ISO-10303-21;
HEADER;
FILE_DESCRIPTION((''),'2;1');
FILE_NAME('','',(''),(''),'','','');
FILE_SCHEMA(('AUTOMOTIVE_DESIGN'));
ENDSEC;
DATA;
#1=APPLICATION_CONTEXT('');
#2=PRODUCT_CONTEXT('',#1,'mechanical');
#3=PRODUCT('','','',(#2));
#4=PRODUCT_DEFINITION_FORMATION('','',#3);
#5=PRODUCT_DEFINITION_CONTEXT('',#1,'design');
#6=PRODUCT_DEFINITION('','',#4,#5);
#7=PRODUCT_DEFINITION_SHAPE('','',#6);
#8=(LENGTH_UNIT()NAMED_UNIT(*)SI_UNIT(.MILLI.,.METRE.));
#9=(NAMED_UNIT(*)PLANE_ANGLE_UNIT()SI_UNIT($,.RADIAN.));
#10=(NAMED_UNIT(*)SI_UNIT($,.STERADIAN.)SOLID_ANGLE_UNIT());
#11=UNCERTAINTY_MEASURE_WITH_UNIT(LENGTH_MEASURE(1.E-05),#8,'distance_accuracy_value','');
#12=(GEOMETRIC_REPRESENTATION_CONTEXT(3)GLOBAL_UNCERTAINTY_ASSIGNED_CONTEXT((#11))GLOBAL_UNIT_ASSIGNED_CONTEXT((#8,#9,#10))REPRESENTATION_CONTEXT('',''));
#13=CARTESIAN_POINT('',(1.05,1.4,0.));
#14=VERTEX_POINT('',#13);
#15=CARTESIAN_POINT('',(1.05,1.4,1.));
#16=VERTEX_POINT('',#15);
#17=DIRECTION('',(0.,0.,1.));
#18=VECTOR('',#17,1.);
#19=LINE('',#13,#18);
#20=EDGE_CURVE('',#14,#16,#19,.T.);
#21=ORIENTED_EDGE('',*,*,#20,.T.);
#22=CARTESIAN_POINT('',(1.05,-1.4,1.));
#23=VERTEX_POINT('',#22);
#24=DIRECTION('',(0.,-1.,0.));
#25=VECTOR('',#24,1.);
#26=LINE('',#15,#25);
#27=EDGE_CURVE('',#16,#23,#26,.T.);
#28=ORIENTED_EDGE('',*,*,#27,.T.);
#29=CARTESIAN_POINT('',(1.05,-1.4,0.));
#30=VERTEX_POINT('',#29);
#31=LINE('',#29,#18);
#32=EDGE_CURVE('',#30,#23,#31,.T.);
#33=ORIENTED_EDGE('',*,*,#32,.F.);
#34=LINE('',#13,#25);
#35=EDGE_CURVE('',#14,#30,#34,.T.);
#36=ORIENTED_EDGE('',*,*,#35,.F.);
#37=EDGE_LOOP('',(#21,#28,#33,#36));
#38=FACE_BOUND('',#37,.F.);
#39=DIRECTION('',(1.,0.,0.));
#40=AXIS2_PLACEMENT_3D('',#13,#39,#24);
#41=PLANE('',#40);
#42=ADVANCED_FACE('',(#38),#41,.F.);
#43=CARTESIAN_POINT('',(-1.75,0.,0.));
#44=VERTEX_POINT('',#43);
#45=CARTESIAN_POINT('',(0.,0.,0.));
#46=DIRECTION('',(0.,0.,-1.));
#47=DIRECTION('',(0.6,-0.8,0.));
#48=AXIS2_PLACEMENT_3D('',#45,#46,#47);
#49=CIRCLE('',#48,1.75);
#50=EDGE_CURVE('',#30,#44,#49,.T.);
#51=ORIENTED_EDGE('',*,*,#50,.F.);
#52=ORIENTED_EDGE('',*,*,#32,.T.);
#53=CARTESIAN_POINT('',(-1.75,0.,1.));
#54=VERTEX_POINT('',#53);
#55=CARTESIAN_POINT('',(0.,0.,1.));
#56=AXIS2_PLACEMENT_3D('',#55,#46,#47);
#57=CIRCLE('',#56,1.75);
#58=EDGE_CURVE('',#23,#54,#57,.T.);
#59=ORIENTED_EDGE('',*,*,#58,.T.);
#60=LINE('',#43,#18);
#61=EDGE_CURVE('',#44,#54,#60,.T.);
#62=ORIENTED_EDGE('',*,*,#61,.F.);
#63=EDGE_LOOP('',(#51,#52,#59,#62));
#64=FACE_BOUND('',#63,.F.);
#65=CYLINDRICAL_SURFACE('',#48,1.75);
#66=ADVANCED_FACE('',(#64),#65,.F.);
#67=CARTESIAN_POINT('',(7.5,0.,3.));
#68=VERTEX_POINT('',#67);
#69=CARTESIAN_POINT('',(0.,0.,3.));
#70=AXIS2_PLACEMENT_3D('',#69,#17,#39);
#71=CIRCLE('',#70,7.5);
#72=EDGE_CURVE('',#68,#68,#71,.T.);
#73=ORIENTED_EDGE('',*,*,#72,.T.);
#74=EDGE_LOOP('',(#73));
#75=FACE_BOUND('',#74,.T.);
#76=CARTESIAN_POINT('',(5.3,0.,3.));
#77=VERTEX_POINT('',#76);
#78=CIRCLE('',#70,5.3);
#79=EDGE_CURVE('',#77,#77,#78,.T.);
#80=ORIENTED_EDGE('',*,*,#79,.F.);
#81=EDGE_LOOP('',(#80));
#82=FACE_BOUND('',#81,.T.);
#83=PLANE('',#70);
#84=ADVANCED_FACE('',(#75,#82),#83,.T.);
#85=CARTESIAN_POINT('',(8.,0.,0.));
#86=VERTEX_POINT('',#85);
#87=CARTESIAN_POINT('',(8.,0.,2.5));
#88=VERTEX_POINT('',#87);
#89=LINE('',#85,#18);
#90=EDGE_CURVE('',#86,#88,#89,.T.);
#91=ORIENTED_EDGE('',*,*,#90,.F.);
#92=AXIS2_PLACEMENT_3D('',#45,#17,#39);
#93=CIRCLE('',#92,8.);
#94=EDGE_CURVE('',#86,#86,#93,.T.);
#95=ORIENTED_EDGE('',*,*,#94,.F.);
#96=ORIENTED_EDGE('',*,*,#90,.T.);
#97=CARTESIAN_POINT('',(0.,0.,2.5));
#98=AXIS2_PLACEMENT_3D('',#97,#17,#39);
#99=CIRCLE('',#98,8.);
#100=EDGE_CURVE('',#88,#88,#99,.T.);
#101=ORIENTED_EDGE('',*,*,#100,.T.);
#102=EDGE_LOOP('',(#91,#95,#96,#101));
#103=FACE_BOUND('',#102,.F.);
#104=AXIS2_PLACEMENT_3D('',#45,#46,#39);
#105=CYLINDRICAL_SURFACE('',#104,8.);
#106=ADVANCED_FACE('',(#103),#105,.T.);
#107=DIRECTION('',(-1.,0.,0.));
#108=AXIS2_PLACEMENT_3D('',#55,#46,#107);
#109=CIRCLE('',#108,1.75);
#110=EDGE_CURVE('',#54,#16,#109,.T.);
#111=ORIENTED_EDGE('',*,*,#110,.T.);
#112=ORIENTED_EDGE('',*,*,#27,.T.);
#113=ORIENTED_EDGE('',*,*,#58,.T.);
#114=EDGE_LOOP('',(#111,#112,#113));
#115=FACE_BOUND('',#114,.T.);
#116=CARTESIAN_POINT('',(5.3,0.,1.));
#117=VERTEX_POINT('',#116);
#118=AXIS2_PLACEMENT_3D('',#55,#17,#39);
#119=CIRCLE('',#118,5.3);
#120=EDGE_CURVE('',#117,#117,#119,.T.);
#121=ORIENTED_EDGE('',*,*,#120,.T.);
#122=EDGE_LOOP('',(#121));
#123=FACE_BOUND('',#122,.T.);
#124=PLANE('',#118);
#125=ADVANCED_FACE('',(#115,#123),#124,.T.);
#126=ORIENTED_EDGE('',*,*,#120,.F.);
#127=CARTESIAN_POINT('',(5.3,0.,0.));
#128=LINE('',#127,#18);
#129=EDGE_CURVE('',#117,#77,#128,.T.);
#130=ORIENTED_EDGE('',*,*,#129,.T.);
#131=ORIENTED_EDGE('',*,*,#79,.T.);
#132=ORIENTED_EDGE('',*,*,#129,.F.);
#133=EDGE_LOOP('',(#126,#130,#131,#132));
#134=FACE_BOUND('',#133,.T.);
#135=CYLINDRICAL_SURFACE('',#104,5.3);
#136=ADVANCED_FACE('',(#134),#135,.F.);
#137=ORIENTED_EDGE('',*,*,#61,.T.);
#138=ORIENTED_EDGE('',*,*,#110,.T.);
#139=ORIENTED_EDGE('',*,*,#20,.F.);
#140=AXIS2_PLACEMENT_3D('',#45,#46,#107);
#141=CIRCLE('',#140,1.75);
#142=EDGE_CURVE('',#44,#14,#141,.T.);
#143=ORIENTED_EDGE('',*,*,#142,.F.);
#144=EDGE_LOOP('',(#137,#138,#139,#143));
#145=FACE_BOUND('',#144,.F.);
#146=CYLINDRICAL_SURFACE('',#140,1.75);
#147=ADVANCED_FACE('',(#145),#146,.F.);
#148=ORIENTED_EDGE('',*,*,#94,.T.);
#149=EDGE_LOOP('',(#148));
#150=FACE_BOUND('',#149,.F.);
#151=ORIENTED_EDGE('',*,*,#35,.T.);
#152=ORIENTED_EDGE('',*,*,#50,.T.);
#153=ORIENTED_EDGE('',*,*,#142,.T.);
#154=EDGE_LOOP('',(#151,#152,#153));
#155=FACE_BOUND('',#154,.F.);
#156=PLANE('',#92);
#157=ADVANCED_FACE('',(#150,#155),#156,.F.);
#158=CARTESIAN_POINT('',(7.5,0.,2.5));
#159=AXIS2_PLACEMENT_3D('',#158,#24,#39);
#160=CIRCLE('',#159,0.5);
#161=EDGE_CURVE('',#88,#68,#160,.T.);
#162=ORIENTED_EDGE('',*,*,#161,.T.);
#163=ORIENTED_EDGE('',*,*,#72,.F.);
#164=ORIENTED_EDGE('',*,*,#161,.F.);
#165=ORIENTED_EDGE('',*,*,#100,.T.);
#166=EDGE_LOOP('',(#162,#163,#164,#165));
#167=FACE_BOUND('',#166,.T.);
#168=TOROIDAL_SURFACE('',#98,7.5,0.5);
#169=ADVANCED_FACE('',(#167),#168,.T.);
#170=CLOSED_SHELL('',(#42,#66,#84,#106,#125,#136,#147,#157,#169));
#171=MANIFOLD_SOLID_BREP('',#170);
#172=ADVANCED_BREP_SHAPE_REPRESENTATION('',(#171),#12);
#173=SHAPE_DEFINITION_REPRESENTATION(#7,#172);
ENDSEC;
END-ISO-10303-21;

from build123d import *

# Parameters (mm, degrees)
F0_R     = 5.3
F1_DEPTH = 1
F0_R_2   = 8
F2_DEPTH = 3
F3_R     = 0.5


with BuildPart() as f1:
    # F0 (on Top) → F1 (new body)
    with BuildSketch(Plane.XY):
        Circle(F0_R)
        with BuildLine():
            ThreePointArc((1.05, 1.4), (1.5652475842, 0.7826237921), (1.75, 0))
            ThreePointArc((1.75, 0), (1.5652475842, -0.7826237921), (1.05, -1.4))
            ThreePointArc((1.05, -1.4), (-0.7826237921, -1.5652475842), (-1.75, 0))
            ThreePointArc((-1.75, 0), (-0.7826237921, 1.5652475842), (1.05, 1.4))
        make_face(mode=Mode.SUBTRACT)
        with BuildLine():
            ThreePointArc((1.05, -1.4), (1.5652475842, -0.7826237921), (1.75, 0))
            ThreePointArc((1.75, 0), (1.5652475842, 0.7826237921), (1.05, 1.4))
            Line((1.05, 1.4), (1.05, 0))
            Line((1.05, 0), (1.05, -1.4))
        make_face()
    extrude(amount=F1_DEPTH)

    # F0 (on Top) → F2 (join)
    with BuildSketch(Plane.XY):
        Circle(F0_R_2)
        Circle(F0_R, mode=Mode.SUBTRACT)
    extrude(amount=F2_DEPTH)

    # F3
    f3_edges = [f1.edges().sort_by_distance(p)[0] for p in [
        (-8, 0, 3),
    ]]
    fillet(f3_edges, radius=F3_R)


solid = f1.part
